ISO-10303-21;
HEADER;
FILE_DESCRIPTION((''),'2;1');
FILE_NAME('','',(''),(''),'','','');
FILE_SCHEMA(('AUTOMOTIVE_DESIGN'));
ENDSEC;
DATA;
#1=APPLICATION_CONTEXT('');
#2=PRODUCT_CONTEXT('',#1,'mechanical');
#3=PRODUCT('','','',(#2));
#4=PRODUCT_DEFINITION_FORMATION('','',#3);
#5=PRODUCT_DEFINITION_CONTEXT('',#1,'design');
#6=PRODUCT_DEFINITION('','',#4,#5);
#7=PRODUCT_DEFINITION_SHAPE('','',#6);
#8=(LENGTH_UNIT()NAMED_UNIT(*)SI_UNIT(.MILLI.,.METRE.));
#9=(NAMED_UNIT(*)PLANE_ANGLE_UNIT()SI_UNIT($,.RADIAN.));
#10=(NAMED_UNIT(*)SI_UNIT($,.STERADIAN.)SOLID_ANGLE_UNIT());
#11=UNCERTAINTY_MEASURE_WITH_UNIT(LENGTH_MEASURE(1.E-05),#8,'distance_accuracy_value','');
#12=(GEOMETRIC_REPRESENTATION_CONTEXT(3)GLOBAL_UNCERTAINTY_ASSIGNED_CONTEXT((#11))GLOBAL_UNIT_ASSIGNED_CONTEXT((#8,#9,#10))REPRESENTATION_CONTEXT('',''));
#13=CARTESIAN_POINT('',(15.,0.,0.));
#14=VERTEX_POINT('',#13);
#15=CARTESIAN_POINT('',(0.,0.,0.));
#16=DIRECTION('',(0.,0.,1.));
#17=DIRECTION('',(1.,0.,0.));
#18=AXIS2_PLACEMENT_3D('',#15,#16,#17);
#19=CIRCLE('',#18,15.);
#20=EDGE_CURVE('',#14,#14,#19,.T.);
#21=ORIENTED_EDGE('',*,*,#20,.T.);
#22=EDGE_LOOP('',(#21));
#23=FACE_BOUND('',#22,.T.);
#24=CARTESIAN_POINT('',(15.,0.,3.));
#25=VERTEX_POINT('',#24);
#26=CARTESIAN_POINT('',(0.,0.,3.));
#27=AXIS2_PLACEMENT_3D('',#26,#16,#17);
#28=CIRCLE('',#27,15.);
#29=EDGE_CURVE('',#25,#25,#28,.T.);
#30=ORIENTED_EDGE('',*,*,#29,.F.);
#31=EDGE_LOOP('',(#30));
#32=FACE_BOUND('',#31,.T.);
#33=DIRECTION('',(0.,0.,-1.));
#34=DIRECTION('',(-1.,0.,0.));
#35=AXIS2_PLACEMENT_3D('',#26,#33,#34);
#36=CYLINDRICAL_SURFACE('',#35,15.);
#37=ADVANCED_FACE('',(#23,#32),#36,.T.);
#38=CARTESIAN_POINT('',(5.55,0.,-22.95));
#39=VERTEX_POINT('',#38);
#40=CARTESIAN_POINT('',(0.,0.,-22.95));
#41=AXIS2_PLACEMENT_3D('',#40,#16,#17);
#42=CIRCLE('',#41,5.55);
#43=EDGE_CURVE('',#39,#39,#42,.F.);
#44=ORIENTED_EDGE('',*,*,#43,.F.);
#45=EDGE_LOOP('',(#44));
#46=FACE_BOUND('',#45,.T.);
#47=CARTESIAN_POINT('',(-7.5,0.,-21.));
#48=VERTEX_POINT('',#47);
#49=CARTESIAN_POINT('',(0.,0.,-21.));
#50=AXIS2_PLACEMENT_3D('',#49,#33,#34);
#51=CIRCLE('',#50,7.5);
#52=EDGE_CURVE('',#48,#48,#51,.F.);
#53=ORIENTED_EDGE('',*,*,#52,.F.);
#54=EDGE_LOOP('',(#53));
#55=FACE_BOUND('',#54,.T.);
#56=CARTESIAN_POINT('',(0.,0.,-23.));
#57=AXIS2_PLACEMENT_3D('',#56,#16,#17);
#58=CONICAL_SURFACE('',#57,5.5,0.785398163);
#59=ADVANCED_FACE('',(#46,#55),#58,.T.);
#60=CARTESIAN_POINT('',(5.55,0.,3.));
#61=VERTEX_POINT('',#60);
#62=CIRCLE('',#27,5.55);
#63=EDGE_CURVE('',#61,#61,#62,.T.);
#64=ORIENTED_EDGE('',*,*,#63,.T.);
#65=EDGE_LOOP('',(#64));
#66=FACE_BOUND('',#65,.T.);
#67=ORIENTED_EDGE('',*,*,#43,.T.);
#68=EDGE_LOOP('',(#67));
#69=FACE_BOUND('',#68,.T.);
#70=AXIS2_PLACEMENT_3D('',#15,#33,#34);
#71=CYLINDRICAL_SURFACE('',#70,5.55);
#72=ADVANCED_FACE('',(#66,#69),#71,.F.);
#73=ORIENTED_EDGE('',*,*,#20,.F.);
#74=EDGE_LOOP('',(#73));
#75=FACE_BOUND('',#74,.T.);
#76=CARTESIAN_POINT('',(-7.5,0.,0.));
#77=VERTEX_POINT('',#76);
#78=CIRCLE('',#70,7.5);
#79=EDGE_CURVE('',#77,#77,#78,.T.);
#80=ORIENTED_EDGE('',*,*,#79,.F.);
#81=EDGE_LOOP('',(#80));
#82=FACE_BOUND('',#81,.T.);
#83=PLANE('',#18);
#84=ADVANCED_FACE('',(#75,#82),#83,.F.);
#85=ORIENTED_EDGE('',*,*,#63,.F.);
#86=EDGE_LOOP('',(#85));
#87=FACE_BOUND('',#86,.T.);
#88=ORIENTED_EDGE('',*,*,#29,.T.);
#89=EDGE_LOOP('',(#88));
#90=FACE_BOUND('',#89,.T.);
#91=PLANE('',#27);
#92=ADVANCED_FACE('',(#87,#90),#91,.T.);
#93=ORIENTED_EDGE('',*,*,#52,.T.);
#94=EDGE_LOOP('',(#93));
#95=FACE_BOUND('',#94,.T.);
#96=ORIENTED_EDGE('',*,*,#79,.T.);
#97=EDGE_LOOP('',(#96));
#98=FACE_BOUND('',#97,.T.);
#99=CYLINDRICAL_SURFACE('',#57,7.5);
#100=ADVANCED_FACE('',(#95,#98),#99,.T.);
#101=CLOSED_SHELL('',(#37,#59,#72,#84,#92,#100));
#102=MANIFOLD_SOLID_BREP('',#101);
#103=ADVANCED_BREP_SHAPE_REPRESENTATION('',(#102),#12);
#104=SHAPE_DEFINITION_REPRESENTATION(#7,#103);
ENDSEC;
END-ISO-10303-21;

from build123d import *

# Parameters (mm, degrees)
ESQUISSE1_R             = 15
BOSS_EXTRU_1_DEPTH      = 3
ESQUISSE2_R             = 7.5
BOSS_EXTRU_2_DEPTH      = 23
CHANFREIN1_SIZE         = 2
ESQUISSE3_R             = 5.55
ENL_V_MAT_EXTRU_1_DEPTH = 23
ESQUISSE4_R             = 5.55
ENL_V_MAT_EXTRU_2_DEPTH = 26


with BuildPart() as part:
    # Esquisse1 → Boss.-Extru.1 (new body)
    with BuildSketch(Plane.XY):
        Circle(ESQUISSE1_R)
    extrude(amount=BOSS_EXTRU_1_DEPTH)

    # Esquisse2 → Boss.-Extru.2 (add)
    with BuildSketch(Plane(origin=(0, 0, 0), x_dir=(-1, 0, 0), z_dir=(0, 0, -1))):
        Circle(ESQUISSE2_R)
    extrude(amount=BOSS_EXTRU_2_DEPTH)

    # Chanfrein1
    chanfrein1_edges = [part.edges().sort_by_distance(p)[0] for p in [
        (7.5, 0, -23),
    ]]
    chamfer(chanfrein1_edges, length=CHANFREIN1_SIZE)

    # Esquisse3 → Enlèv. mat.-Extru.1 (cut)
    with BuildSketch(Plane(origin=(0, 0, -23), x_dir=(-1, 0, 0), z_dir=(0, 0, -1))):
        Circle(ESQUISSE3_R)
    extrude(amount=-ENL_V_MAT_EXTRU_1_DEPTH, mode=Mode.SUBTRACT)

    # Esquisse4 → Enlèv. mat.-Extru.2 (cut)
    with BuildSketch(Plane.XY.offset(3)):
        Circle(ESQUISSE4_R)
    extrude(amount=-ENL_V_MAT_EXTRU_2_DEPTH, mode=Mode.SUBTRACT)


solid = part.part
